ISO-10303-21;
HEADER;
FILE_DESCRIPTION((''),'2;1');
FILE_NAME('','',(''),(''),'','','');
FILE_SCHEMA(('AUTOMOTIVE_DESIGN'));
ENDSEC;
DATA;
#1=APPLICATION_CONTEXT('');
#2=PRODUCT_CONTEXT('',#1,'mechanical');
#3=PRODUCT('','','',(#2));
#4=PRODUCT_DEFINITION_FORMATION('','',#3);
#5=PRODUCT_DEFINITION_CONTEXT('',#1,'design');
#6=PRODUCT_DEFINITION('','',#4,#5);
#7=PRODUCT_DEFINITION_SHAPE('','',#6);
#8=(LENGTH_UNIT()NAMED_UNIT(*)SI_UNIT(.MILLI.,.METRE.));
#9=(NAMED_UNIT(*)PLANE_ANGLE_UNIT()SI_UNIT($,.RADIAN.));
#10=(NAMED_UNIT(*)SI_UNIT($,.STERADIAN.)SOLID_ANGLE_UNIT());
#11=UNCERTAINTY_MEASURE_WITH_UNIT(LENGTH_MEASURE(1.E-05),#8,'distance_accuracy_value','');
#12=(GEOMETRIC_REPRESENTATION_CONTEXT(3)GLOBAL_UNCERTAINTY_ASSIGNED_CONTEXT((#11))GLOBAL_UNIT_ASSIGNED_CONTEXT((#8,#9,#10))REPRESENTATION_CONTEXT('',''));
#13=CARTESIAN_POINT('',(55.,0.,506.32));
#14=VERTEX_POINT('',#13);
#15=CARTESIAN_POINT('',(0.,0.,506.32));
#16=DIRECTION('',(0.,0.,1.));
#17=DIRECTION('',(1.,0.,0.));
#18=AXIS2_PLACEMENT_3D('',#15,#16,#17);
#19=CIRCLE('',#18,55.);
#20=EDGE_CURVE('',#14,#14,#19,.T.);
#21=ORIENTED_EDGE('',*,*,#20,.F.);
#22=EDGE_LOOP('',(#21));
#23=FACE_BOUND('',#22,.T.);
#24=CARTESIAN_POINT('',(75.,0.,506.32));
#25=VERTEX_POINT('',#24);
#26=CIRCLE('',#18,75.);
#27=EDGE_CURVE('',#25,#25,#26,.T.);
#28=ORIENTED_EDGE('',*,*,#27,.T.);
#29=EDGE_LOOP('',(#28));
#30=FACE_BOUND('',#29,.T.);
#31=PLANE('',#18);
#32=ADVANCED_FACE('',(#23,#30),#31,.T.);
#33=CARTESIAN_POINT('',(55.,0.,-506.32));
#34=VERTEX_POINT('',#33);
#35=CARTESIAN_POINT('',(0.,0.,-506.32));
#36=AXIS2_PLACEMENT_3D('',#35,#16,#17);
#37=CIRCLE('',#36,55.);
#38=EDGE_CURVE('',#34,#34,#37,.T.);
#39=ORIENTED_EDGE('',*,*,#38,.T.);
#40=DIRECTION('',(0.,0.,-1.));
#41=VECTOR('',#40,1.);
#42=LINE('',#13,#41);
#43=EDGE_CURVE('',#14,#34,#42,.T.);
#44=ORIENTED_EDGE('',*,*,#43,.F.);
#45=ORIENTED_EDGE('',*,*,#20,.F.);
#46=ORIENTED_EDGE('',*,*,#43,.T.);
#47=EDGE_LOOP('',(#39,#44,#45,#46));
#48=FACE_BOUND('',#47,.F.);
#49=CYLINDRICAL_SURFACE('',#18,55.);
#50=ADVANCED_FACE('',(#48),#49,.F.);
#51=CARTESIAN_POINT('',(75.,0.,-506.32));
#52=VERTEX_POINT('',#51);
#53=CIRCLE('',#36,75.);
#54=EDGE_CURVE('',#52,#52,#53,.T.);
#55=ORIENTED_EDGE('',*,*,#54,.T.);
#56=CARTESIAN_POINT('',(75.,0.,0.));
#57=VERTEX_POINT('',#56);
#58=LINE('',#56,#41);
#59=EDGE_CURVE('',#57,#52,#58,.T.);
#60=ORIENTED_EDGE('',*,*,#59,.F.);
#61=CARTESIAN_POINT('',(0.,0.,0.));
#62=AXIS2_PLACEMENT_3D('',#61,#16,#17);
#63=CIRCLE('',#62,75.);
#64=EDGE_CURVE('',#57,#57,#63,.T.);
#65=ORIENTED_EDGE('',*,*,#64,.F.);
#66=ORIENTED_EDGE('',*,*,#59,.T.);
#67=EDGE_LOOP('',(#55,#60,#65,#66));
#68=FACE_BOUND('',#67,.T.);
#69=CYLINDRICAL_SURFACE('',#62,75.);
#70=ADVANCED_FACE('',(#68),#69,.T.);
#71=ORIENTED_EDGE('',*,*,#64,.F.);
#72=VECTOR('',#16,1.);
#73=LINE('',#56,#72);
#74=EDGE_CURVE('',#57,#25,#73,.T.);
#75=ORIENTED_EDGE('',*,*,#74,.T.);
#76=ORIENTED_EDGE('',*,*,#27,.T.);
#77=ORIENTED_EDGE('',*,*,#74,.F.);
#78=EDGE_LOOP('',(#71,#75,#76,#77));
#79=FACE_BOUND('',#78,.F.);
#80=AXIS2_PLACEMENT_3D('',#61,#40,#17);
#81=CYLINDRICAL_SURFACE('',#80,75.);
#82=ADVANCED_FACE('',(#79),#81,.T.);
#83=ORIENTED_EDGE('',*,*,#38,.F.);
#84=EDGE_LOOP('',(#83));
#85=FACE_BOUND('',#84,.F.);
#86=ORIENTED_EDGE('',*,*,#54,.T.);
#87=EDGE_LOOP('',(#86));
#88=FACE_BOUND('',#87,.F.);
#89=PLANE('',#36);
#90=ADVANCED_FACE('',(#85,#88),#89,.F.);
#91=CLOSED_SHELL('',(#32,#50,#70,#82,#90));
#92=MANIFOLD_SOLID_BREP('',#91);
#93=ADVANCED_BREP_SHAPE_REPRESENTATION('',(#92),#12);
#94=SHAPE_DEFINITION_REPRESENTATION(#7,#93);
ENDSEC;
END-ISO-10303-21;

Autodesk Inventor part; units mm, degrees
ref_plane "YZ Plane" through (0, 0, 0) normal (1, 0, 0) x (0, 1, 0)
ref_plane "XZ Plane" through (0, 0, 0) normal (0, 1, 0) x (-1, 0, 0)
ref_plane "XY Plane" through (0, 0, 0) normal (0, 0, 1) x (1, 0, 0)
sketch "Sketch1" plane through (0, 0, 0) normal (0, 0, 1) x (1, 0, 0)
  circle A0 centre (0, 0) radius 75
  dimension "d0" = 150
extrude "Extrusion1" add sketch "Sketch1" along normal mid plane 1012.64
sketch "Sketch2" plane through (0, 0, 506.32) normal (0, 0, 1) x (1, 0, 0)
  circle A0 centre (0, 0) radius 55
  dimension "d3" = 110
extrude "Extrusion2" cut sketch "Sketch2" against normal through all
properties part number "AGBL01-1"
